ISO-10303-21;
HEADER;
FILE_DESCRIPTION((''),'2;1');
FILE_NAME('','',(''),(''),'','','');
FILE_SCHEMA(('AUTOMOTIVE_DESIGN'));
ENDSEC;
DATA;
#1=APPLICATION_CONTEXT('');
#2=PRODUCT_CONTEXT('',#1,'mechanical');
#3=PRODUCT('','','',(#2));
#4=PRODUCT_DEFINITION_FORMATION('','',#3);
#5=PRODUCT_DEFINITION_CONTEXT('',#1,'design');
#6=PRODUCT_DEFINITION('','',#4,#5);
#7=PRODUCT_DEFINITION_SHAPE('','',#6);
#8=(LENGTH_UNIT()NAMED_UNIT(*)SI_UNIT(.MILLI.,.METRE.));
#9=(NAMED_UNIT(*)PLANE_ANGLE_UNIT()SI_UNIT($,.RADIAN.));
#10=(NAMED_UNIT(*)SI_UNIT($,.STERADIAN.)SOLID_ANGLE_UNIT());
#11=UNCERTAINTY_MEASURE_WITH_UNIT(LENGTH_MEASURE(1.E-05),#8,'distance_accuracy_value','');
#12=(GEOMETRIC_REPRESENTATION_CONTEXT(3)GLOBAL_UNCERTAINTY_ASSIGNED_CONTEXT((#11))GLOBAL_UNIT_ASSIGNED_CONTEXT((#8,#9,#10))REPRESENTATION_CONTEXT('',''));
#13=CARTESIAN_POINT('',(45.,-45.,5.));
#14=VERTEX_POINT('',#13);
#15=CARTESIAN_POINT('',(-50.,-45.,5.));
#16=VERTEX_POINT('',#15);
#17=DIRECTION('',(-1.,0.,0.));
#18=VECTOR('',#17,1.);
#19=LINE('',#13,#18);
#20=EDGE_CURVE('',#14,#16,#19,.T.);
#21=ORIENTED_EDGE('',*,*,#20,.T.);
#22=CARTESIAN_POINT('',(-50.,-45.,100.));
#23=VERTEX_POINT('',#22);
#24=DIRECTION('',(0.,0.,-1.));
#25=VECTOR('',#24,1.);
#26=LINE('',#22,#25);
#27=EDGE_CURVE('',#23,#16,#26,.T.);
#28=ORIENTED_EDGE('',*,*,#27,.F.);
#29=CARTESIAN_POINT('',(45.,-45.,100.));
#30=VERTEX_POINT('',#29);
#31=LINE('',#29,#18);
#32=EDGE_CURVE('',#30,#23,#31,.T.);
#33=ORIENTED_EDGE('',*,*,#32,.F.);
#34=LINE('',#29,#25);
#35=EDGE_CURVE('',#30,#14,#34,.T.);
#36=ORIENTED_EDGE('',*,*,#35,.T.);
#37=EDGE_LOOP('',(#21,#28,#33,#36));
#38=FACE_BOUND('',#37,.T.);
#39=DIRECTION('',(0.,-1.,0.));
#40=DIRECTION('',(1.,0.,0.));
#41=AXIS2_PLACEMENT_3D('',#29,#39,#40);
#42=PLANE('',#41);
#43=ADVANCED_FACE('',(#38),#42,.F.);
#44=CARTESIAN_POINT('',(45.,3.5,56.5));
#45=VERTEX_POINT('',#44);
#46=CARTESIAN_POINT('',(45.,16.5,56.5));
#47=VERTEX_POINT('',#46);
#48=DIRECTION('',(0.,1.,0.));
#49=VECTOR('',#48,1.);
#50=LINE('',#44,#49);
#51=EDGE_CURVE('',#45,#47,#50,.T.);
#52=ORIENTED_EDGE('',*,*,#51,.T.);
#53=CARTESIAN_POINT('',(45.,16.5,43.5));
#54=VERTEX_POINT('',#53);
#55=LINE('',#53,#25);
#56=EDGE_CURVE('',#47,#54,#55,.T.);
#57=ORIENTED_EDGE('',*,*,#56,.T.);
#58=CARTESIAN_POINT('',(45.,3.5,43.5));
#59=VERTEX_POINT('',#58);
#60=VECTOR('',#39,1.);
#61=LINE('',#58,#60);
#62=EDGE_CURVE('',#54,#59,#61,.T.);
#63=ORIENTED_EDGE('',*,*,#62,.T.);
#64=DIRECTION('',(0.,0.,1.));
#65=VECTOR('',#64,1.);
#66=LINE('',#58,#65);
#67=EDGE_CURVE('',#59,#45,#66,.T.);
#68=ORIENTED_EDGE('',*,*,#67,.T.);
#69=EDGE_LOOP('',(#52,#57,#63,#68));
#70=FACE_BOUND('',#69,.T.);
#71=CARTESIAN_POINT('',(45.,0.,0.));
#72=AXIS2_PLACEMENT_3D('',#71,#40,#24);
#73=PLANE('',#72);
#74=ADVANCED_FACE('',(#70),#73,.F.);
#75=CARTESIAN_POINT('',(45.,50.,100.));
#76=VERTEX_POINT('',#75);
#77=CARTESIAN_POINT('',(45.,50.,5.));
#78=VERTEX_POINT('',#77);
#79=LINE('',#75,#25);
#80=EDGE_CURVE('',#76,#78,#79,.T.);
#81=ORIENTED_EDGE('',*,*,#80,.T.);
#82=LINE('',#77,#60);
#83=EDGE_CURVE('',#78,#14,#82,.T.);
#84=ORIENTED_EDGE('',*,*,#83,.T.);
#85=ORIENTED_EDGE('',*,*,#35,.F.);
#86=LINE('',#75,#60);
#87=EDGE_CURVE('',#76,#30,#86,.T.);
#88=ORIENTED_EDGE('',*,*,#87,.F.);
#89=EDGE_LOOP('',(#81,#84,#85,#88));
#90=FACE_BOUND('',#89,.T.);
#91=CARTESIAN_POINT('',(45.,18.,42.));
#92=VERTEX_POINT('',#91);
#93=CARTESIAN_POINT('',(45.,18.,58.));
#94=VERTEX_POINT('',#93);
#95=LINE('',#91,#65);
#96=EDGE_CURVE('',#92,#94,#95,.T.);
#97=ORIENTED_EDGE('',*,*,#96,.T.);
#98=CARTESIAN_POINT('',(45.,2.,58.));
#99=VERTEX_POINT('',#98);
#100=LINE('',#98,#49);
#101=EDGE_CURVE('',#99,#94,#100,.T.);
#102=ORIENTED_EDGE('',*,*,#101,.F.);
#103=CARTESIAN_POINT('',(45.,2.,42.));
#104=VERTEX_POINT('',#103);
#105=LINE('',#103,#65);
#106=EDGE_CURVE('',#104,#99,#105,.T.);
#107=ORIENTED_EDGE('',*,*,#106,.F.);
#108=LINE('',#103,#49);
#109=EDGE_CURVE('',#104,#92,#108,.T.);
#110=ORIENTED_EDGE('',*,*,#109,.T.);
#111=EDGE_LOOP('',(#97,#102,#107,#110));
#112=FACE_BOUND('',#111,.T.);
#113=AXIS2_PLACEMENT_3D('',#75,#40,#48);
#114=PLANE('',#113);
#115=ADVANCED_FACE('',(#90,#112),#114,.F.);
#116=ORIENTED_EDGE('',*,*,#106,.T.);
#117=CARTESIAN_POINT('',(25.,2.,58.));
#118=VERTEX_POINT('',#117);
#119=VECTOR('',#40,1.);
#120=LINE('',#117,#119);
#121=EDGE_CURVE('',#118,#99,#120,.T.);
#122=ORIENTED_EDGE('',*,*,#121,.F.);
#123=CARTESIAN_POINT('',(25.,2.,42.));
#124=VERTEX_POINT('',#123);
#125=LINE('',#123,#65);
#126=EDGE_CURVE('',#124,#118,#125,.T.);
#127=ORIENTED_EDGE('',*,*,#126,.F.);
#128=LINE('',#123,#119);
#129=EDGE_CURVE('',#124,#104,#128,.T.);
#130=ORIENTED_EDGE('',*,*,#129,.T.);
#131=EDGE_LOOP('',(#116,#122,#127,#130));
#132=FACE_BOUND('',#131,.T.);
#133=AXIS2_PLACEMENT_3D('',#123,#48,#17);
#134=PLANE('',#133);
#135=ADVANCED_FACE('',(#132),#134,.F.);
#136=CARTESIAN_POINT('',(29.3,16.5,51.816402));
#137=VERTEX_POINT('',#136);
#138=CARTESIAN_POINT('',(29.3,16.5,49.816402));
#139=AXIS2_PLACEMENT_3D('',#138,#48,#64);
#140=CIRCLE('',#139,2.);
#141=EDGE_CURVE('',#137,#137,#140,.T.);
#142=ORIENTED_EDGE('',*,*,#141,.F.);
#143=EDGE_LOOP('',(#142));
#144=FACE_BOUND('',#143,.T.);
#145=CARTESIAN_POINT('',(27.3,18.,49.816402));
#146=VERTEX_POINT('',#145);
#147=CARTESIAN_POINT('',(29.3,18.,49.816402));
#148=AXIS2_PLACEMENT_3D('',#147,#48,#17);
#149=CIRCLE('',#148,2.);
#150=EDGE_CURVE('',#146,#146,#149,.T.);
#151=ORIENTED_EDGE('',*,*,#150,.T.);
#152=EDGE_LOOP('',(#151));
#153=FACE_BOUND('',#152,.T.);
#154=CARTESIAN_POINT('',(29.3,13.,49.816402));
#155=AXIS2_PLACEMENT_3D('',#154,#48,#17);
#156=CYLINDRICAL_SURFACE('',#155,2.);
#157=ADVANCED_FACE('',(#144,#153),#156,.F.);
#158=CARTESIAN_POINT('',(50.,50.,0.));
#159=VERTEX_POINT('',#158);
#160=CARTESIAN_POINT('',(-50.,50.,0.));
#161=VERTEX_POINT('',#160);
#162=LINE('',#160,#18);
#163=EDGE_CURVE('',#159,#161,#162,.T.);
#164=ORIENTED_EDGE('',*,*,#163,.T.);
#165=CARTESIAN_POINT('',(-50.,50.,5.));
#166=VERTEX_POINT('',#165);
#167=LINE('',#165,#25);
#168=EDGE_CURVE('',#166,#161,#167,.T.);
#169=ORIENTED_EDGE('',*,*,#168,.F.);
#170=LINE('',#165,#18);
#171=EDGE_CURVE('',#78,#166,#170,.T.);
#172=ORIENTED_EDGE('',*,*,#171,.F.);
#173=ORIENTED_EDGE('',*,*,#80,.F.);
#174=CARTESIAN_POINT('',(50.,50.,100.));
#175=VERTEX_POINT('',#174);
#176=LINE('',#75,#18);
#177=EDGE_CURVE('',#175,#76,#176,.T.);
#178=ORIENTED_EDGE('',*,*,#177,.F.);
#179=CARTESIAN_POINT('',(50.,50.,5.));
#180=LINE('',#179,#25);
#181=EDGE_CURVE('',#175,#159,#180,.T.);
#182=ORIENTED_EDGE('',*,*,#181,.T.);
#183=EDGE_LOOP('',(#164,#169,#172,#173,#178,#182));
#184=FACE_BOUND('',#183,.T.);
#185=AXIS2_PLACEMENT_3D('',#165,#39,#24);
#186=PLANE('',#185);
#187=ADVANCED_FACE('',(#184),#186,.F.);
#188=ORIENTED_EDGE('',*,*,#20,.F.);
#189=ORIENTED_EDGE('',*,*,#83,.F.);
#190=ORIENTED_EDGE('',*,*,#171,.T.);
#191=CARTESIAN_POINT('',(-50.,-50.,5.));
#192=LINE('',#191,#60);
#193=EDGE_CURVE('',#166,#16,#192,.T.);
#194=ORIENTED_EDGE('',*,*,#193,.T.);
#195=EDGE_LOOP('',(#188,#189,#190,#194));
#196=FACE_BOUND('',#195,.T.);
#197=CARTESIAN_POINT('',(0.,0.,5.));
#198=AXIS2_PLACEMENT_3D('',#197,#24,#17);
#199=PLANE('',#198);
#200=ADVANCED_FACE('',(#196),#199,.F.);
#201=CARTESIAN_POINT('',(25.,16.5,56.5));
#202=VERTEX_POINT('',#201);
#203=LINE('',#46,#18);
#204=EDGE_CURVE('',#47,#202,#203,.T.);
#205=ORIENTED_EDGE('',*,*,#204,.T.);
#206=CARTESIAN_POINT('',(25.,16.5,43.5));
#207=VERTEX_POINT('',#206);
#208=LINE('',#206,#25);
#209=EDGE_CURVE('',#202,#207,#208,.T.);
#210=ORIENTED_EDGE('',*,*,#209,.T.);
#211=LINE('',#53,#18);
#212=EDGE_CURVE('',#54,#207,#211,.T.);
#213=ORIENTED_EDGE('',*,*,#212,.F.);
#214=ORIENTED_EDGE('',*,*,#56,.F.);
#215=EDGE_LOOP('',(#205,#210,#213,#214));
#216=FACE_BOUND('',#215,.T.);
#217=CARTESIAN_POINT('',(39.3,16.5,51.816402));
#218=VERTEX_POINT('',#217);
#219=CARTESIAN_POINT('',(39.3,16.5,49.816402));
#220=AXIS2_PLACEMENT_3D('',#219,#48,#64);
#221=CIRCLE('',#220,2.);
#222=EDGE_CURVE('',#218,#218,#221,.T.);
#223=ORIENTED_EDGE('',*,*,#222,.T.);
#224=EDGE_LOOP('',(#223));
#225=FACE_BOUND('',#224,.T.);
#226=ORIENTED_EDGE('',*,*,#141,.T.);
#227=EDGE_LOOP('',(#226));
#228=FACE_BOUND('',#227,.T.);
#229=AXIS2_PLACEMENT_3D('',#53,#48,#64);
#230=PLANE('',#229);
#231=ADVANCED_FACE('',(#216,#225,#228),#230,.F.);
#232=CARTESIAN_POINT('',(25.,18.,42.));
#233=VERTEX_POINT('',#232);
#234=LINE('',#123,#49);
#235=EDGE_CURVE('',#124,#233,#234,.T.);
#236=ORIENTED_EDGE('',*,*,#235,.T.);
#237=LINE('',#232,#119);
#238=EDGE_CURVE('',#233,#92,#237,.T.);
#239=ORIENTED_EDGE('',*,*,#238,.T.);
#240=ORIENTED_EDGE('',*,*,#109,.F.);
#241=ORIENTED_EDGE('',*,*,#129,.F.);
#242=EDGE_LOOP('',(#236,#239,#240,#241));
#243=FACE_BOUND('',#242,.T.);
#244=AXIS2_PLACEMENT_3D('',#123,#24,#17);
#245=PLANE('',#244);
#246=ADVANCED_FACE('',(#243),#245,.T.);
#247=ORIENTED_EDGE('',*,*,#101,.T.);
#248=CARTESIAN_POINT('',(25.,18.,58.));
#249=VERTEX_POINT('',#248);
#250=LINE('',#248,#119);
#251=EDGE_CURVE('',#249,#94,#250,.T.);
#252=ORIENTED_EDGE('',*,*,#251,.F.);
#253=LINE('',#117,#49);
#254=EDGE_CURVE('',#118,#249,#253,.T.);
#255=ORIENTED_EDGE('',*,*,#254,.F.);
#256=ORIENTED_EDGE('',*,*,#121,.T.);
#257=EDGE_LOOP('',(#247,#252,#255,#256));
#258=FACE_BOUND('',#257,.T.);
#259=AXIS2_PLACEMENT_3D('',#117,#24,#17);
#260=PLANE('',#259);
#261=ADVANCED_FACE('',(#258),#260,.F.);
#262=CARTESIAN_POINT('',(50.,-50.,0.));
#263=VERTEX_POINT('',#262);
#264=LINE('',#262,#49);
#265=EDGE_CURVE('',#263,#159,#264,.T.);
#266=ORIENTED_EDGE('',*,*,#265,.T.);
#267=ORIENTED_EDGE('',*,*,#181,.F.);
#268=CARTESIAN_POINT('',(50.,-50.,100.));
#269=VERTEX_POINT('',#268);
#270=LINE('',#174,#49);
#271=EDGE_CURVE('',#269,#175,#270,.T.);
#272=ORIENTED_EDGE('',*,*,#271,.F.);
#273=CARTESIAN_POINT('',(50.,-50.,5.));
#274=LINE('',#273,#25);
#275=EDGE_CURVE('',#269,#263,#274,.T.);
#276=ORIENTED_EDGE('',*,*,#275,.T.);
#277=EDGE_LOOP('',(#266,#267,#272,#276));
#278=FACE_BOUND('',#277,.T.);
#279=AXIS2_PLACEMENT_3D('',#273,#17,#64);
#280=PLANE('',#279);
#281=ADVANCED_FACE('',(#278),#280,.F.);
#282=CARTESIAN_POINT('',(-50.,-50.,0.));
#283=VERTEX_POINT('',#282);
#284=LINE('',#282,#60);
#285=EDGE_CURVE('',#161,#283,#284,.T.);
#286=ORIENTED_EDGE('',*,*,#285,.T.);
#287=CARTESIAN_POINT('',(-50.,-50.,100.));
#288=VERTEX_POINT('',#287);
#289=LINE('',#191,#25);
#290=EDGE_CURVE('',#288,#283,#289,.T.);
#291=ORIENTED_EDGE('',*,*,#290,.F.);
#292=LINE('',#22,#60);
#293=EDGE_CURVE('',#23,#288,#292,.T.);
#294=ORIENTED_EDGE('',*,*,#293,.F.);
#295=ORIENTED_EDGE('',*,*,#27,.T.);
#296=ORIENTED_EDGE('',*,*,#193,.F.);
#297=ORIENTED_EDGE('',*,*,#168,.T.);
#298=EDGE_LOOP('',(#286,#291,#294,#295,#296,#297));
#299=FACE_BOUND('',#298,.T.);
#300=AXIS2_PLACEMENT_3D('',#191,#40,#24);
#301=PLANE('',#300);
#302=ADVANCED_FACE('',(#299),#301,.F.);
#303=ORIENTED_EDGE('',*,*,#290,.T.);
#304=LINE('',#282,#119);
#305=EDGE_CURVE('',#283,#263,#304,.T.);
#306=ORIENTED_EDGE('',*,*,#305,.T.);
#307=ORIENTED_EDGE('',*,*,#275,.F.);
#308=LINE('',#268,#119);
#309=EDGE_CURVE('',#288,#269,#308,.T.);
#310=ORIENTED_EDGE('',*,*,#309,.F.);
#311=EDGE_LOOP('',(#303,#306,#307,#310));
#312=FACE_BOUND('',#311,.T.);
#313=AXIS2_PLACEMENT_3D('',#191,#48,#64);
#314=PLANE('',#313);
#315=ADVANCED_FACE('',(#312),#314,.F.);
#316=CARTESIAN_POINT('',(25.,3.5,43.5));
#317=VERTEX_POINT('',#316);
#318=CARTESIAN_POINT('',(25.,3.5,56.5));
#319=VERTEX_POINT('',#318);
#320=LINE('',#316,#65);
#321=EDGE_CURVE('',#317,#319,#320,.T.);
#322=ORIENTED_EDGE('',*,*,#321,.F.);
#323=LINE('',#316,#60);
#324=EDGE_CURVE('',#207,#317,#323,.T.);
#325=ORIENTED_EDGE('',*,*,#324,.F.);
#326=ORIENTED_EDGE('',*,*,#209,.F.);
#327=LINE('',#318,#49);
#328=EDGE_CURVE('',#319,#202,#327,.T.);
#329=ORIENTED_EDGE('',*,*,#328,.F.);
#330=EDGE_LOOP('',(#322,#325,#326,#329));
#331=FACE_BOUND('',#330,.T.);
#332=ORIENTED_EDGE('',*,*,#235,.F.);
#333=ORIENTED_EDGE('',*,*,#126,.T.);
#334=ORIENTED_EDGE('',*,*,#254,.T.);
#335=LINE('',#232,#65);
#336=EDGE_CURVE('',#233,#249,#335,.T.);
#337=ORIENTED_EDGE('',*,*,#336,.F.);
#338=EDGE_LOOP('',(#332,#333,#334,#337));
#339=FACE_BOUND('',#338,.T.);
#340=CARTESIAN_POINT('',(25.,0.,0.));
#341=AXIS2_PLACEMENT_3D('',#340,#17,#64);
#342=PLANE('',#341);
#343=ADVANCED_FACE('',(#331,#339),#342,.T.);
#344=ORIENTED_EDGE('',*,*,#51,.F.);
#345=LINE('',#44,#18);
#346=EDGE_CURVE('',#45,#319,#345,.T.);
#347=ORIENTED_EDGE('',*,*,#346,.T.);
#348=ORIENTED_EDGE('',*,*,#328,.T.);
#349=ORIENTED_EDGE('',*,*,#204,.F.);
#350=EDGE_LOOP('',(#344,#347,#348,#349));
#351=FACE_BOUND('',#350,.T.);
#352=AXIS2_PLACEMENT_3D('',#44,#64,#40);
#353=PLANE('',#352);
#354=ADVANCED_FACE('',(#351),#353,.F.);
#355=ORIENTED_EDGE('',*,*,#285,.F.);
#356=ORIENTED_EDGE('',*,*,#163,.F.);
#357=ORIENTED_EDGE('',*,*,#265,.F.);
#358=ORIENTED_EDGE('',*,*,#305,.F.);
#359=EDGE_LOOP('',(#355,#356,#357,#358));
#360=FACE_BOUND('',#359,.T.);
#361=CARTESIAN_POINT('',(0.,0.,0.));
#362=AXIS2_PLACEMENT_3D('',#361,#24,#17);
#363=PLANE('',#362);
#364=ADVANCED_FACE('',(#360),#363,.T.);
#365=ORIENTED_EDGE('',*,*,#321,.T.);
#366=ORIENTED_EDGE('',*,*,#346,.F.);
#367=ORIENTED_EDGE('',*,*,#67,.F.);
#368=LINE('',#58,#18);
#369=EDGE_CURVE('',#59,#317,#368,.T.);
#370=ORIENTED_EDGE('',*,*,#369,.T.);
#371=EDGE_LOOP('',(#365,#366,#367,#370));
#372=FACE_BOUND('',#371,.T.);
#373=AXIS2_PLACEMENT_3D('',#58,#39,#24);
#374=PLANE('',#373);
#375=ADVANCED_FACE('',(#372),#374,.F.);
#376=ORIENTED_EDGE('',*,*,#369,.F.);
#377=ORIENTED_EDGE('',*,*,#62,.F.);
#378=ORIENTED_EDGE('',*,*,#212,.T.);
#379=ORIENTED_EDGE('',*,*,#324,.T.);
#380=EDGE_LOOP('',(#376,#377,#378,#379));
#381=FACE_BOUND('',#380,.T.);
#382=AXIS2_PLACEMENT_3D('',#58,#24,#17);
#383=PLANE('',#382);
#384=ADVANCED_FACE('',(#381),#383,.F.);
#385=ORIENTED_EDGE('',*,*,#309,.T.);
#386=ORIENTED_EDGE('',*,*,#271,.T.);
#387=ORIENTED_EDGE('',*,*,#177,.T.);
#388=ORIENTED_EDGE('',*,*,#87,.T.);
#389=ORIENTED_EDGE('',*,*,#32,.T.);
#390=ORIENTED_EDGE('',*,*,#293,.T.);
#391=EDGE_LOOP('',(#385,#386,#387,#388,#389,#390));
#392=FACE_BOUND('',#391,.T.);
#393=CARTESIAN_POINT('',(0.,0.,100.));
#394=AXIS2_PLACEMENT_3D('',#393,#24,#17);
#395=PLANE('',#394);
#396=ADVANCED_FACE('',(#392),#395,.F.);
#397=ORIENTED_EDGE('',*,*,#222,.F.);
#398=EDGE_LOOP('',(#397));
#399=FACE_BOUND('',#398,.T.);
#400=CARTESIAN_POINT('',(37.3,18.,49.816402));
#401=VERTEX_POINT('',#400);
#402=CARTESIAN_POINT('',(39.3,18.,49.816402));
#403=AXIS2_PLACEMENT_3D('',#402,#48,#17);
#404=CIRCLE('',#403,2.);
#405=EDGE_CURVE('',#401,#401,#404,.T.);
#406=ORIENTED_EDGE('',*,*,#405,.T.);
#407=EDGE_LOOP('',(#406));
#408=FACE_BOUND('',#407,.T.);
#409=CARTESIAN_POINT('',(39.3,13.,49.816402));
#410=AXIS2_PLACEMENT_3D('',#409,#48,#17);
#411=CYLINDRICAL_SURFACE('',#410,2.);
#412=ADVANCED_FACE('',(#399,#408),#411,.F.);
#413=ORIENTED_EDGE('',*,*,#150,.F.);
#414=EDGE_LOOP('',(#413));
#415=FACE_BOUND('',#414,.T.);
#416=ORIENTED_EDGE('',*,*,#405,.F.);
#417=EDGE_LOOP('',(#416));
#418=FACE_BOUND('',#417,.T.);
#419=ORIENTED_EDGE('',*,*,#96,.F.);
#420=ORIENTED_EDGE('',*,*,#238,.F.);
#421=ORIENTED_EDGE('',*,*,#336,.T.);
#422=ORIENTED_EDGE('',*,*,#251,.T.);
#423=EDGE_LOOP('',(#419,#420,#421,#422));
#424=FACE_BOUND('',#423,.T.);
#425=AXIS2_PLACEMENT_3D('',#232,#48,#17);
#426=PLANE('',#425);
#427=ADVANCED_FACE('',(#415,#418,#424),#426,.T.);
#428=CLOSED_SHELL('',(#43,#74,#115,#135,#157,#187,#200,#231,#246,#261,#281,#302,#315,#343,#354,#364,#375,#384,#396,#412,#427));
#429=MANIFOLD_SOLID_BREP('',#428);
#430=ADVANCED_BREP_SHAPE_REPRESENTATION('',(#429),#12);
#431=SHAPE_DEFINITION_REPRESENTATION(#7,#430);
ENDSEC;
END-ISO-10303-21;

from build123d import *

# Parameters (mm, degrees)
SKETCH1_W           = 100
SKETCH1_H           = 100
BOSS_EXTRUDE1_DEPTH = 5
BOSS_EXTRUDE4_DEPTH = 95
SKETCH5_W           = 16
SKETCH5_H           = 16
BOSS_EXTRUDE6_DEPTH = 20
SKETCH8_W           = 13
SKETCH8_H           = 13
CUT_EXTRUDE2_DEPTH  = 20
SKETCH9_R           = 2
CUT_EXTRUDE3_DEPTH  = 5


with BuildPart() as part:
    # Sketch1 → Boss-Extrude1 (new body)
    with BuildSketch(Plane.XY):
        Rectangle(SKETCH1_W, SKETCH1_H)
    extrude(amount=BOSS_EXTRUDE1_DEPTH)

    # Sketch4 → Boss-Extrude4 (add)
    with BuildSketch(Plane.XY.offset(5)):
        Polygon((50, 50), (50, -50), (-50, -50), (-50, -45), (45, -45), (45, 50), align=None)
    extrude(amount=BOSS_EXTRUDE4_DEPTH)

    # Sketch5 → Boss-Extrude6 (add)
    with BuildSketch(Plane.ZY.offset(-45)):
        with Locations((50, 10)):
            Rectangle(SKETCH5_W, SKETCH5_H)
    extrude(amount=BOSS_EXTRUDE6_DEPTH)

    # Sketch8 → Cut-Extrude2 (cut)
    with BuildSketch(Plane.ZY.offset(-25)):
        with Locations((50, 10)):
            Rectangle(SKETCH8_W, SKETCH8_H)
    extrude(amount=-CUT_EXTRUDE2_DEPTH, mode=Mode.SUBTRACT)

    # Sketch9 → Cut-Extrude3 (cut)
    with BuildSketch(Plane(origin=(0, 18, 0), x_dir=(1, 0, 0), z_dir=(0, 1, 0))):
        with Locations(Location((39.3, -49.816402155, 0), (0, 0, 180))):
            Circle(SKETCH9_R)
        with Locations(Location((29.3, -49.816402155, 0), (0, 0, 180))):
            Circle(SKETCH9_R)
    extrude(amount=-CUT_EXTRUDE3_DEPTH, mode=Mode.SUBTRACT)


solid = part.part
